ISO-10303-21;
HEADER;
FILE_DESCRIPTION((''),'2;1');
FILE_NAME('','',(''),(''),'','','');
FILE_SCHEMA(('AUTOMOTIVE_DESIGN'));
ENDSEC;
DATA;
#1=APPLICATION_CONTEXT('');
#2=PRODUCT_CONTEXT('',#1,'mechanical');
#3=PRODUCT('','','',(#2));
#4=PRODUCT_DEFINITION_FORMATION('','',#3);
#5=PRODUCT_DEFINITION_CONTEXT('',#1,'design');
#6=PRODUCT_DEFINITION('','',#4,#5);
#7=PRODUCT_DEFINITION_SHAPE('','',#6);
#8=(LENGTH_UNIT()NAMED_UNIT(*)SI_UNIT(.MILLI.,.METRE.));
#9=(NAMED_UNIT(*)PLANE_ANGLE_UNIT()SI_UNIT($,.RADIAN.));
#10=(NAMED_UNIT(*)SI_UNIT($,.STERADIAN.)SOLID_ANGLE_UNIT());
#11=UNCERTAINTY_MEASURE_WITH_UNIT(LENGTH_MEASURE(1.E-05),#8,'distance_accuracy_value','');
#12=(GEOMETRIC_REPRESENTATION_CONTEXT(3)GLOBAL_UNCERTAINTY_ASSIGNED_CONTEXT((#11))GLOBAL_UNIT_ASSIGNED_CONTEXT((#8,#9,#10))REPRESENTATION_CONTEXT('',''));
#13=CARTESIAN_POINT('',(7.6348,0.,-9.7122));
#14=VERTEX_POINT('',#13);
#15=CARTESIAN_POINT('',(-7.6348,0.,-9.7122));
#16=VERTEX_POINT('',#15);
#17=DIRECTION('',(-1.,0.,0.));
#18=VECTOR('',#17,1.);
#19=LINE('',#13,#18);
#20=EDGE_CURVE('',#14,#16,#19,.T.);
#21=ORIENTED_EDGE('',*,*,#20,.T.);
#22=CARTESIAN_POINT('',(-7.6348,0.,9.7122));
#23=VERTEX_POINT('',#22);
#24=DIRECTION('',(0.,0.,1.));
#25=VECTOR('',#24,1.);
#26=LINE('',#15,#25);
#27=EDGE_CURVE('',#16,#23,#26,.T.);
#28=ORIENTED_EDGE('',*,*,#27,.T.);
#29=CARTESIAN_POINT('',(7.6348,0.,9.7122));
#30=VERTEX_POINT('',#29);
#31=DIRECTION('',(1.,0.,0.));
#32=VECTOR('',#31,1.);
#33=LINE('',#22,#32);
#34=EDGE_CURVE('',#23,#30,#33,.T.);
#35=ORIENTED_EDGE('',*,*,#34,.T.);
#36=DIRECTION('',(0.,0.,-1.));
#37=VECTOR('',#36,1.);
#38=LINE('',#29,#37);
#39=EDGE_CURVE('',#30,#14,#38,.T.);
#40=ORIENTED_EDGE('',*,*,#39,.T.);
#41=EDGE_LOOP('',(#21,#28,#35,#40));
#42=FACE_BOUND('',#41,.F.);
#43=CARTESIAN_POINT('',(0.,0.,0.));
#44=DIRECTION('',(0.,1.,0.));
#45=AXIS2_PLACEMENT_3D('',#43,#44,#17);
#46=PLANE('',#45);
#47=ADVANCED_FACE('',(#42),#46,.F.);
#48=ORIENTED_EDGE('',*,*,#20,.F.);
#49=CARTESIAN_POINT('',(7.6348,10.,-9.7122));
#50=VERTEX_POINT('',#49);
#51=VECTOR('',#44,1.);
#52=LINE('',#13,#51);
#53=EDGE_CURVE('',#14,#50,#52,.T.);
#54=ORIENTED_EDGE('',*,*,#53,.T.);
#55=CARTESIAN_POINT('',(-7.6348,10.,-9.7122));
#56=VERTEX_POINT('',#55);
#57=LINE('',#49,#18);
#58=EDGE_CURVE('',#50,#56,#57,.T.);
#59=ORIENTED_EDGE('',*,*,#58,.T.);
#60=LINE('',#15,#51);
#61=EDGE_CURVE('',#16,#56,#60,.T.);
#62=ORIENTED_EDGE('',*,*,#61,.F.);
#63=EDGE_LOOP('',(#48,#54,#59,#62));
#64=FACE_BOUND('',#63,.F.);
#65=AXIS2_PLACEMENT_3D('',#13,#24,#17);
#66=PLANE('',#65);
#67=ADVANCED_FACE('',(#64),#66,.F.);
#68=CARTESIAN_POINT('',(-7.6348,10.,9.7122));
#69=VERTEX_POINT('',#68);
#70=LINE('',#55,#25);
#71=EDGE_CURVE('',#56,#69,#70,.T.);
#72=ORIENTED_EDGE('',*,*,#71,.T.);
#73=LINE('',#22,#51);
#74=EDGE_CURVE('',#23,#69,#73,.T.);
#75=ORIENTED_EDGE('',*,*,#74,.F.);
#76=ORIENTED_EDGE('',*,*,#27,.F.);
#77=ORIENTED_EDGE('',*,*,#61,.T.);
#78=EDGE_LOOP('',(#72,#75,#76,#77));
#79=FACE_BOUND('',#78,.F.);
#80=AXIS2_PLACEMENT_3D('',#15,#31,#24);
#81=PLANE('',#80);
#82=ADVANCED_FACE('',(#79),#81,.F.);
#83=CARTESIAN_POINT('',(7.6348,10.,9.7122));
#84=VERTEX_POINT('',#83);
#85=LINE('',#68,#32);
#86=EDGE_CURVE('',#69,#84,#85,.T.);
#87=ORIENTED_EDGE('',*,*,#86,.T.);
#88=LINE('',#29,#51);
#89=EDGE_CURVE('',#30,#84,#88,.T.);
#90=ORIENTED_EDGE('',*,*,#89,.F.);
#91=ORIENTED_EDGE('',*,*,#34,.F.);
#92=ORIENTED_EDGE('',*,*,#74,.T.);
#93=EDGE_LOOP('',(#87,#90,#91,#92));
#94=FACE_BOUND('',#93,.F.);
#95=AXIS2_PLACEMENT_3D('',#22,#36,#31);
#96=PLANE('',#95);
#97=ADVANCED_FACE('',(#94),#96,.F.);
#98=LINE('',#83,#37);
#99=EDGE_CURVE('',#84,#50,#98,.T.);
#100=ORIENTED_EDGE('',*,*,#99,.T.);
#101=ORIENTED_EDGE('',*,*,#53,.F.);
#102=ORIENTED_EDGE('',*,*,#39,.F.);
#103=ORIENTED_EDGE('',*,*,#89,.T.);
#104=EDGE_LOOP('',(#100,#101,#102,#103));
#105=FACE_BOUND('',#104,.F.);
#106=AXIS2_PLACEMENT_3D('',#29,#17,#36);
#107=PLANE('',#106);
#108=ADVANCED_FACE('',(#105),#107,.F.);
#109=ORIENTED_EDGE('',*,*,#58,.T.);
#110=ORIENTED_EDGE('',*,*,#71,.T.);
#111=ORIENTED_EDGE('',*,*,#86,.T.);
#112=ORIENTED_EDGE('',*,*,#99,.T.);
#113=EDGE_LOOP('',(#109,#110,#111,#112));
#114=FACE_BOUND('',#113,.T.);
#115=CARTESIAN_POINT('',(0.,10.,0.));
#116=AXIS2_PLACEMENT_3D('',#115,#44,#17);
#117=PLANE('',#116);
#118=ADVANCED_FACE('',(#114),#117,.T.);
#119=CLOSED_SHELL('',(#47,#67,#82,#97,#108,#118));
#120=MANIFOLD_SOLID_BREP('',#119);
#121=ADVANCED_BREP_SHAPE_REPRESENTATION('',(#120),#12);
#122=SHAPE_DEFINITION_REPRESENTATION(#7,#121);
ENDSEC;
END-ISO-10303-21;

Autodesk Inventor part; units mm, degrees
ref_plane "YZ Plane" through (0, 0, 0) normal (1, 0, 0) x (0, 1, 0)
ref_plane "XZ Plane" through (0, 0, 0) normal (0, 1, 0) x (-1, 0, 0)
ref_plane "XY Plane" through (0, 0, 0) normal (0, 0, 1) x (1, 0, 0)
sketch "Sketch1" plane through (0, 0, 0) normal (0, 1, 0) x (-1, 0, 0)
  line L0 (7.6348, 9.7122) -> (-7.6348, 9.7122)
  line L1 (-7.6348, 9.7122) -> (-7.6348, -9.7122)
  line L2 (-7.6348, -9.7122) -> (7.6348, -9.7122)
  line L3 (7.6348, -9.7122) -> (7.6348, 9.7122)
  line L4 (7.6348, 9.7122) -> (-7.6348, -9.7122) construction
  line L5 (-7.6348, 9.7122) -> (7.6348, -9.7122) construction
  point P0 (0, 0)
extrude "Extrusion1" add sketch "Sketch1" along normal blind 10
properties part number "cube"
